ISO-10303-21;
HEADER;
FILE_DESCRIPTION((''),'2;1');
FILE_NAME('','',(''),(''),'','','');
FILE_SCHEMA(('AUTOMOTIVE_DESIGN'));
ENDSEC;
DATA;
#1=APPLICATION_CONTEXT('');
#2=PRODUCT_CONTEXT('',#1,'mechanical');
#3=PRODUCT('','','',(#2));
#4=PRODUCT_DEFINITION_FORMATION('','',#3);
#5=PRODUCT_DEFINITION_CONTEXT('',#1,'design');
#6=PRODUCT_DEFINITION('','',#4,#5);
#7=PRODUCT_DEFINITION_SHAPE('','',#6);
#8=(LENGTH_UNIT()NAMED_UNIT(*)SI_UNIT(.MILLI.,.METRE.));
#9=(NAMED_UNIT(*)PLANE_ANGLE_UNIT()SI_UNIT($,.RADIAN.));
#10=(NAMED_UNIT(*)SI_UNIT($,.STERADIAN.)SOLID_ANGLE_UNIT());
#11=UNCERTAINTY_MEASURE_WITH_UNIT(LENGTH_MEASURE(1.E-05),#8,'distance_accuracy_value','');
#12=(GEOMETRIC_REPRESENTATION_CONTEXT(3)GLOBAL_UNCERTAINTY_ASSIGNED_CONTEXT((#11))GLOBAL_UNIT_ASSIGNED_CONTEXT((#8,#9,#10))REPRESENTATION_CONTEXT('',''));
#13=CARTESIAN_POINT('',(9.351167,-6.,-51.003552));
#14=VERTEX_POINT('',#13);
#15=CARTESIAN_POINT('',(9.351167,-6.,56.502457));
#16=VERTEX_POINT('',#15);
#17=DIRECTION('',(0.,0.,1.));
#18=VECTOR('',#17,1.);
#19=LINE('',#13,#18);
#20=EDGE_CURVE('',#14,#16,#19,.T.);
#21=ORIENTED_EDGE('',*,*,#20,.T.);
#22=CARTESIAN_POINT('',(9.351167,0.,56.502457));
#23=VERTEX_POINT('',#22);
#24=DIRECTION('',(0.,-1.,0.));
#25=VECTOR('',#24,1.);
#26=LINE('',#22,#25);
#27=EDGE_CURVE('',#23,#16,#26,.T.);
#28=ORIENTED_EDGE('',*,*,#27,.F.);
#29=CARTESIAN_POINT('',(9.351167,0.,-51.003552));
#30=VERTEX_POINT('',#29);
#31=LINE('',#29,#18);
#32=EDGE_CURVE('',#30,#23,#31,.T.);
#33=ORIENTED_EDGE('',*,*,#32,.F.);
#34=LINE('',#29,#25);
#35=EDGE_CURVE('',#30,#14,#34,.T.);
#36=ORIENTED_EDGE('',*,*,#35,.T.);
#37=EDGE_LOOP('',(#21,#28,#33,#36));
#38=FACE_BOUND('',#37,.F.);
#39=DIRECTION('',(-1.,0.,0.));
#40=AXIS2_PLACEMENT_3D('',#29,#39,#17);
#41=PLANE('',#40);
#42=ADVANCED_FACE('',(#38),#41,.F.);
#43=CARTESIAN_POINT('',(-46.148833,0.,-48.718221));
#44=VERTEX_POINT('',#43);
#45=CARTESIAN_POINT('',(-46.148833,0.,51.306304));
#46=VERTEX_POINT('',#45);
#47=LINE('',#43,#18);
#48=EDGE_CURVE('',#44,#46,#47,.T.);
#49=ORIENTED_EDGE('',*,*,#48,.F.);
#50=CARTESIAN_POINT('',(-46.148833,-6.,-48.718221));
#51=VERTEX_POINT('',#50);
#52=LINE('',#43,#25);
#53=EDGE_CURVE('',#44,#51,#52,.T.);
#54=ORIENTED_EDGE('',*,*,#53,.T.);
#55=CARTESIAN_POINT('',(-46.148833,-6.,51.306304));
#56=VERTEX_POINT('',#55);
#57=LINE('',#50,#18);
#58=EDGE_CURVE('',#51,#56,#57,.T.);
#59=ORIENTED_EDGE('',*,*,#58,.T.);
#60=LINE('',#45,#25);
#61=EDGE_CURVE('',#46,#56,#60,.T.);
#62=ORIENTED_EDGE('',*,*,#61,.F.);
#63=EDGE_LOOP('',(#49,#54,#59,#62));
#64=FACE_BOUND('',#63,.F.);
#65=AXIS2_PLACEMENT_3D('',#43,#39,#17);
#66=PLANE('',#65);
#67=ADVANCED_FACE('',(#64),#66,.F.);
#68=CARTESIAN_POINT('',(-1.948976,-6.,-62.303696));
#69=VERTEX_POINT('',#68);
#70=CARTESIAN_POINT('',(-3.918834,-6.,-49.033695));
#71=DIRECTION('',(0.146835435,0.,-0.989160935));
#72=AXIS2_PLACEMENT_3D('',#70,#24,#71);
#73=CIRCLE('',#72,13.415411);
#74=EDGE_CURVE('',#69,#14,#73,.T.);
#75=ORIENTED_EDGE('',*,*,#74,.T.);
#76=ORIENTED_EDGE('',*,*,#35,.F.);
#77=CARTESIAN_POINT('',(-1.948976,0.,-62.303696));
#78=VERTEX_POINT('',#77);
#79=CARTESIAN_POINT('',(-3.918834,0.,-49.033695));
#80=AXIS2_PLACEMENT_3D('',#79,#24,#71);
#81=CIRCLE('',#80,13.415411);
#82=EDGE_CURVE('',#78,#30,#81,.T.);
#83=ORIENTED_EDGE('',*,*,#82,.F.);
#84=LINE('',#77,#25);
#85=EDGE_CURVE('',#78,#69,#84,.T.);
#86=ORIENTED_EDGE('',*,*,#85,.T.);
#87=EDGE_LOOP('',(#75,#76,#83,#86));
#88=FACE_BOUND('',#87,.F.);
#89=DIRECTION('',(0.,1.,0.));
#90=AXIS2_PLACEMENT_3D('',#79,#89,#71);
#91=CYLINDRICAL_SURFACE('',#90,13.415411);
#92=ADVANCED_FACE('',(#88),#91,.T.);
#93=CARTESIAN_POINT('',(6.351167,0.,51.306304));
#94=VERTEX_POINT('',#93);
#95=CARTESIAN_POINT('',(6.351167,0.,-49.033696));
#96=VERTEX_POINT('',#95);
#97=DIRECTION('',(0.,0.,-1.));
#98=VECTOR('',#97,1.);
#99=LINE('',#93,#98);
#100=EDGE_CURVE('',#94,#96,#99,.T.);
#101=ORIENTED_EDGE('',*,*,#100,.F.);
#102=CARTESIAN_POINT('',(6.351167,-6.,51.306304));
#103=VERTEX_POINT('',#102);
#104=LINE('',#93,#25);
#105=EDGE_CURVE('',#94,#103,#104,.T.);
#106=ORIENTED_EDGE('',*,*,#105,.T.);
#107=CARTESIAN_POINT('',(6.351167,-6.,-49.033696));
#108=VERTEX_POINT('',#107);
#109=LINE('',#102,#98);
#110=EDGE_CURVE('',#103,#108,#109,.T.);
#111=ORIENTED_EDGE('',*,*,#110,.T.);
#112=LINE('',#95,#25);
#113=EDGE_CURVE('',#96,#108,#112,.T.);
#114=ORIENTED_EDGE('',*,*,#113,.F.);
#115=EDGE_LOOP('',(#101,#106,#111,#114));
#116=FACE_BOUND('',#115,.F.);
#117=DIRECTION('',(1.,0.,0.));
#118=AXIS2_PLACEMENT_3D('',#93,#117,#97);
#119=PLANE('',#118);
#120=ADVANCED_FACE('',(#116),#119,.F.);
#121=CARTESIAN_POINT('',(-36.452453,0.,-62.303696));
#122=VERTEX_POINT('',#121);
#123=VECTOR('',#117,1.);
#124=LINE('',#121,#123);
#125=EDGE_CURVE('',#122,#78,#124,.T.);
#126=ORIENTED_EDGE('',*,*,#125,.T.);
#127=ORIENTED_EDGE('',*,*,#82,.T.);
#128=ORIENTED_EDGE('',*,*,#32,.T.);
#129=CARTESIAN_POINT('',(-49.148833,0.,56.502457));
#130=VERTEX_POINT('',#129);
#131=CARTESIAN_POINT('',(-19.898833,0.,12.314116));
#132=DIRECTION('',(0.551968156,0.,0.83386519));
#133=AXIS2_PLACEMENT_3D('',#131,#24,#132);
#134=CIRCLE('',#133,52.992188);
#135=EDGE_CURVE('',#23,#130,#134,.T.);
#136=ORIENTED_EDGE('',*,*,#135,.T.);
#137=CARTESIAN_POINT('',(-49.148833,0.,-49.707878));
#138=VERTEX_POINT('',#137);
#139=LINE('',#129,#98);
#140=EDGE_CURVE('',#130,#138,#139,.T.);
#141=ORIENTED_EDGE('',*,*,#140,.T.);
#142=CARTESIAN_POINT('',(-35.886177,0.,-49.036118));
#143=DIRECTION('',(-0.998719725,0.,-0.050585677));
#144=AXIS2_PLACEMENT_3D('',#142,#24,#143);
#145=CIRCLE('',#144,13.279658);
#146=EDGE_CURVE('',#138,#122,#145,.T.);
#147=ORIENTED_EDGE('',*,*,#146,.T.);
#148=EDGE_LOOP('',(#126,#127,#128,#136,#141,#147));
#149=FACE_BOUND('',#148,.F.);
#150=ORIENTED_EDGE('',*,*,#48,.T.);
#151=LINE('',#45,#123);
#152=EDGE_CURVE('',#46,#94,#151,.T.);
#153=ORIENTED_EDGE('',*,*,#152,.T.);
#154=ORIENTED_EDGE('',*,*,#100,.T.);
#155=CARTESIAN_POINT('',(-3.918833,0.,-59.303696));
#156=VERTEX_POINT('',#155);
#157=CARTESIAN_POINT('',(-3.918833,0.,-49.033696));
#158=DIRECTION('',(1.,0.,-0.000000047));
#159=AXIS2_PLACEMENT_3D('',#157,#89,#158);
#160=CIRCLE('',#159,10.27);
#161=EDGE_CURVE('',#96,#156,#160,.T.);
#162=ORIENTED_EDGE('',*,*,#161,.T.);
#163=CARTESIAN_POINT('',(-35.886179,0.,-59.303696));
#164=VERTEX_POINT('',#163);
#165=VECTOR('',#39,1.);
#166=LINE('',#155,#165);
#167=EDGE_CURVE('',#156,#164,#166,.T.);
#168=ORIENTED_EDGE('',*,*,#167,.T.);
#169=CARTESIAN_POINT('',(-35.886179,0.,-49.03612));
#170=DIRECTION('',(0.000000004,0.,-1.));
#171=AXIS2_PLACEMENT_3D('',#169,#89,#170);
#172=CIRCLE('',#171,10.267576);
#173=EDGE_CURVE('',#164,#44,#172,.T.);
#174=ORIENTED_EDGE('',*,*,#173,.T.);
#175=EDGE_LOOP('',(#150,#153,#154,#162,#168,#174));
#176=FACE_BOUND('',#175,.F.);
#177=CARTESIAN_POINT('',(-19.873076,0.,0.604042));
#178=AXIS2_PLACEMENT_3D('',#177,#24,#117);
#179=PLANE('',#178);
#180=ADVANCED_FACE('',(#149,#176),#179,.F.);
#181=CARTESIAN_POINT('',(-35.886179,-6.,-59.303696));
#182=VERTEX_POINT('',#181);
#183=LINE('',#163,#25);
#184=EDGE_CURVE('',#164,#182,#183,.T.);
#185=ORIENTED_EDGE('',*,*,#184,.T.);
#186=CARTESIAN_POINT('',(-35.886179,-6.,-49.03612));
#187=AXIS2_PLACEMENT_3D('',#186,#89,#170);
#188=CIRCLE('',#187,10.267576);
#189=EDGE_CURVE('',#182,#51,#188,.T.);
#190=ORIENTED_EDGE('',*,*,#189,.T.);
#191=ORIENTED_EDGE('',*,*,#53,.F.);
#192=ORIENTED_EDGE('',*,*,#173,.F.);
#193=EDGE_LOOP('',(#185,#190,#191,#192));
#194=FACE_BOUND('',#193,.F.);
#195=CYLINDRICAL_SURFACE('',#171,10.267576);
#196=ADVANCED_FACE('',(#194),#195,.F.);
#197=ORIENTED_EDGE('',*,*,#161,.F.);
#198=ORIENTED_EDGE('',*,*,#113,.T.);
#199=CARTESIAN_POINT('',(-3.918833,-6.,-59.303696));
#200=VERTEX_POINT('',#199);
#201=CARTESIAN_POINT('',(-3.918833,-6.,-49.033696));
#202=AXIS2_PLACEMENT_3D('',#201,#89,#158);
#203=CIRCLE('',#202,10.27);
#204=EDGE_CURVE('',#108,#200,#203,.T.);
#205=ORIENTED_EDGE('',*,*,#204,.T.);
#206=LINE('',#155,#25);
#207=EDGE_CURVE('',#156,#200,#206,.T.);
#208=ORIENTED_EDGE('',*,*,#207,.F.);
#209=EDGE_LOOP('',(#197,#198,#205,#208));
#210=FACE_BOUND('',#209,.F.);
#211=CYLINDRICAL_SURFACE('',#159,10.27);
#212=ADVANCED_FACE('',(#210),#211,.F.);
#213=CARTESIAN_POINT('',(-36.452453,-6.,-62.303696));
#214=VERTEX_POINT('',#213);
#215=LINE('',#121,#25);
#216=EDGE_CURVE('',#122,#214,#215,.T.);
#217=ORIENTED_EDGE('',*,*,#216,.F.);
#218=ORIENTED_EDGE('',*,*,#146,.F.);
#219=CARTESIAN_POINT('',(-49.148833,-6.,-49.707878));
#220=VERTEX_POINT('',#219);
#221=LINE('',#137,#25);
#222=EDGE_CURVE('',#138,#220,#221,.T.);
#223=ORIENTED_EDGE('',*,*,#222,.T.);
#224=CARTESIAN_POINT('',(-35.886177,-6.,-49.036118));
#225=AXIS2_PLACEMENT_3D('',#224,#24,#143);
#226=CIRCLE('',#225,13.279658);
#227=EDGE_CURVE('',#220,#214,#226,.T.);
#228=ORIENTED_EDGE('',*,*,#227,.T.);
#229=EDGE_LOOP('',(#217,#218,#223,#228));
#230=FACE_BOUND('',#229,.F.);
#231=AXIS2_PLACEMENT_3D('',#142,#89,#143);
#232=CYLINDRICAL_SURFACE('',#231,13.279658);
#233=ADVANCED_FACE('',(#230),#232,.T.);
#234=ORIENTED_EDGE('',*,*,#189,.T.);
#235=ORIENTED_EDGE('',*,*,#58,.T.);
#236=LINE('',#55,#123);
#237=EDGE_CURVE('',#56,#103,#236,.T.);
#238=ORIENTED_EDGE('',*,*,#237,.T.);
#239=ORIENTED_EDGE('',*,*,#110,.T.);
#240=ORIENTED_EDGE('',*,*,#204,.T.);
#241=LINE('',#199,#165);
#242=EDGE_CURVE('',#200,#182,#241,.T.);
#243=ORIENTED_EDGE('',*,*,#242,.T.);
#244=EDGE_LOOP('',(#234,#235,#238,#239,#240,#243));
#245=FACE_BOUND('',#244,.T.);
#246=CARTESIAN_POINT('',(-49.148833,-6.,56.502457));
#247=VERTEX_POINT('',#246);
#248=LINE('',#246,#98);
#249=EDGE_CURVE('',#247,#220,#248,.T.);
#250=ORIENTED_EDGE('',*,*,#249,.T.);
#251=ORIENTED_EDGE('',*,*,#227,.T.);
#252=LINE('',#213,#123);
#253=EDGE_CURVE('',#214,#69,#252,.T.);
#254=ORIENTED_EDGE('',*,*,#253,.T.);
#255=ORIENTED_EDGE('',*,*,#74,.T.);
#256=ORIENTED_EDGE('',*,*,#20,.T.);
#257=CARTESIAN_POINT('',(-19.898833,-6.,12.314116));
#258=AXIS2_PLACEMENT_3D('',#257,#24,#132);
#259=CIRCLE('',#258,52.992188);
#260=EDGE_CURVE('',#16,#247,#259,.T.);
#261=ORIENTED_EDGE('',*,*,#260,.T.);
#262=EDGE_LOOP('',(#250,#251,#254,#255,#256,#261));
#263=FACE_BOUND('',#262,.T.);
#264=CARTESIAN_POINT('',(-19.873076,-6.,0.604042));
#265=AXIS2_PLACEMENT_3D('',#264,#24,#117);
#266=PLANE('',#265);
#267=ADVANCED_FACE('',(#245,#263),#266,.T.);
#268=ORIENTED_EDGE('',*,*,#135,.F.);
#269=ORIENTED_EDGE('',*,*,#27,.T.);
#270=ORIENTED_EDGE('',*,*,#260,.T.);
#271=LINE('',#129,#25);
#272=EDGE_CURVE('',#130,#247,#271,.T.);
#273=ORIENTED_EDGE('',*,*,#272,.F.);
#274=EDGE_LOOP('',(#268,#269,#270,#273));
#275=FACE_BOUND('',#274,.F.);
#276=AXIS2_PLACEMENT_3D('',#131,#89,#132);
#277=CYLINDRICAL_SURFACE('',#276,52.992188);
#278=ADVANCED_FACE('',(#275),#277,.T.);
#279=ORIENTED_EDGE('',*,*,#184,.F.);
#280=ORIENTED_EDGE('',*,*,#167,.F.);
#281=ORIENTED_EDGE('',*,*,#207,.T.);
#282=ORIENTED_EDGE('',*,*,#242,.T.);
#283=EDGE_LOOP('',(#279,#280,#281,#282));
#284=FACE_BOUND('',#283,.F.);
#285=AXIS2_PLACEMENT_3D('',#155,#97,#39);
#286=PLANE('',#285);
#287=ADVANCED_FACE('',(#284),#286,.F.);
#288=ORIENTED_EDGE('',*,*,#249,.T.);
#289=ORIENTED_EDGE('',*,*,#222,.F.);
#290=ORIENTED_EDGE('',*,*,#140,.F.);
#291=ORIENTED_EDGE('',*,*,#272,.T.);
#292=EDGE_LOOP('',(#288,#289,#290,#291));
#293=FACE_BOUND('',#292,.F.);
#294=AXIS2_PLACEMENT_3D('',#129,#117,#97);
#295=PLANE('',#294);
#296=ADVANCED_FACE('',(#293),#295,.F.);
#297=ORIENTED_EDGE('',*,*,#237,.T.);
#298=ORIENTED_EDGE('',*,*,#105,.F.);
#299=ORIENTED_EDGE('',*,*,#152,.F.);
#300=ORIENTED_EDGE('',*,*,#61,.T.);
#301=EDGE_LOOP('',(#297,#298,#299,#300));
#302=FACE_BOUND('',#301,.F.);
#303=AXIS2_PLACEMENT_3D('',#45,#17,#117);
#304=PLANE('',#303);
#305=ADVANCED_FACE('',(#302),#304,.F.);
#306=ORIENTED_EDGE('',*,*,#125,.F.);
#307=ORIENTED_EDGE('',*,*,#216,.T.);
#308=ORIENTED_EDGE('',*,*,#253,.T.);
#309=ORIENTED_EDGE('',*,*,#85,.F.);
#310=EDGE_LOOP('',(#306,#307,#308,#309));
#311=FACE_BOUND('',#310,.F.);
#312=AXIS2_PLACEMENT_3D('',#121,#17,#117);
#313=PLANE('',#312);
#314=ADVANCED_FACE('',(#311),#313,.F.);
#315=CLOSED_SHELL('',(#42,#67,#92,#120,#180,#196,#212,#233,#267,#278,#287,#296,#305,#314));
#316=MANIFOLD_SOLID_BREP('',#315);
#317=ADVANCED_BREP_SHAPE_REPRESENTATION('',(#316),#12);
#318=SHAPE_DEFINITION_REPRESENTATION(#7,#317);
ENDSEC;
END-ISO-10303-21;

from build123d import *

# Parameters (mm, degrees)
F1_DEPTH = 6


with BuildPart() as f1:
    # F0 (on Front) → F1 (new body)
    with BuildSketch(Plane.XZ):
        with BuildLine():
            Line((9.351167, -51.003552), (9.351167, 56.502457))
            ThreePointArc((9.351167, 56.502457), (-19.898833, 65.306304), (-49.148833, 56.502457))
            Line((-49.148833, 56.502457), (-49.148833, -49.707878))
            ThreePointArc((-49.148833, -49.707878), (-45.238904, -58.463514), (-36.452453, -62.303696))
            Line((-36.452453, -62.303696), (-1.948976, -62.303696))
            ThreePointArc((-1.948976, -62.303696), (5.567295, -58.519823), (9.351167, -51.003552))
        make_face()
        with BuildLine():
            Line((-3.918833, -59.303696), (-35.886179, -59.303696))
            ThreePointArc((-35.886179, -59.303696), (-43.257989, -56.183115), (-46.148833, -48.718221))
            Line((-46.148833, -48.718221), (-46.148833, 51.306304))
            Line((-46.148833, 51.306304), (6.351167, 51.306304))
            Line((6.351167, 51.306304), (6.351167, -49.033696))
            ThreePointArc((6.351167, -49.033696), (3.343154, -56.295682), (-3.918833, -59.303696))
        make_face(mode=Mode.SUBTRACT)
    extrude(amount=F1_DEPTH)


solid = f1.part
